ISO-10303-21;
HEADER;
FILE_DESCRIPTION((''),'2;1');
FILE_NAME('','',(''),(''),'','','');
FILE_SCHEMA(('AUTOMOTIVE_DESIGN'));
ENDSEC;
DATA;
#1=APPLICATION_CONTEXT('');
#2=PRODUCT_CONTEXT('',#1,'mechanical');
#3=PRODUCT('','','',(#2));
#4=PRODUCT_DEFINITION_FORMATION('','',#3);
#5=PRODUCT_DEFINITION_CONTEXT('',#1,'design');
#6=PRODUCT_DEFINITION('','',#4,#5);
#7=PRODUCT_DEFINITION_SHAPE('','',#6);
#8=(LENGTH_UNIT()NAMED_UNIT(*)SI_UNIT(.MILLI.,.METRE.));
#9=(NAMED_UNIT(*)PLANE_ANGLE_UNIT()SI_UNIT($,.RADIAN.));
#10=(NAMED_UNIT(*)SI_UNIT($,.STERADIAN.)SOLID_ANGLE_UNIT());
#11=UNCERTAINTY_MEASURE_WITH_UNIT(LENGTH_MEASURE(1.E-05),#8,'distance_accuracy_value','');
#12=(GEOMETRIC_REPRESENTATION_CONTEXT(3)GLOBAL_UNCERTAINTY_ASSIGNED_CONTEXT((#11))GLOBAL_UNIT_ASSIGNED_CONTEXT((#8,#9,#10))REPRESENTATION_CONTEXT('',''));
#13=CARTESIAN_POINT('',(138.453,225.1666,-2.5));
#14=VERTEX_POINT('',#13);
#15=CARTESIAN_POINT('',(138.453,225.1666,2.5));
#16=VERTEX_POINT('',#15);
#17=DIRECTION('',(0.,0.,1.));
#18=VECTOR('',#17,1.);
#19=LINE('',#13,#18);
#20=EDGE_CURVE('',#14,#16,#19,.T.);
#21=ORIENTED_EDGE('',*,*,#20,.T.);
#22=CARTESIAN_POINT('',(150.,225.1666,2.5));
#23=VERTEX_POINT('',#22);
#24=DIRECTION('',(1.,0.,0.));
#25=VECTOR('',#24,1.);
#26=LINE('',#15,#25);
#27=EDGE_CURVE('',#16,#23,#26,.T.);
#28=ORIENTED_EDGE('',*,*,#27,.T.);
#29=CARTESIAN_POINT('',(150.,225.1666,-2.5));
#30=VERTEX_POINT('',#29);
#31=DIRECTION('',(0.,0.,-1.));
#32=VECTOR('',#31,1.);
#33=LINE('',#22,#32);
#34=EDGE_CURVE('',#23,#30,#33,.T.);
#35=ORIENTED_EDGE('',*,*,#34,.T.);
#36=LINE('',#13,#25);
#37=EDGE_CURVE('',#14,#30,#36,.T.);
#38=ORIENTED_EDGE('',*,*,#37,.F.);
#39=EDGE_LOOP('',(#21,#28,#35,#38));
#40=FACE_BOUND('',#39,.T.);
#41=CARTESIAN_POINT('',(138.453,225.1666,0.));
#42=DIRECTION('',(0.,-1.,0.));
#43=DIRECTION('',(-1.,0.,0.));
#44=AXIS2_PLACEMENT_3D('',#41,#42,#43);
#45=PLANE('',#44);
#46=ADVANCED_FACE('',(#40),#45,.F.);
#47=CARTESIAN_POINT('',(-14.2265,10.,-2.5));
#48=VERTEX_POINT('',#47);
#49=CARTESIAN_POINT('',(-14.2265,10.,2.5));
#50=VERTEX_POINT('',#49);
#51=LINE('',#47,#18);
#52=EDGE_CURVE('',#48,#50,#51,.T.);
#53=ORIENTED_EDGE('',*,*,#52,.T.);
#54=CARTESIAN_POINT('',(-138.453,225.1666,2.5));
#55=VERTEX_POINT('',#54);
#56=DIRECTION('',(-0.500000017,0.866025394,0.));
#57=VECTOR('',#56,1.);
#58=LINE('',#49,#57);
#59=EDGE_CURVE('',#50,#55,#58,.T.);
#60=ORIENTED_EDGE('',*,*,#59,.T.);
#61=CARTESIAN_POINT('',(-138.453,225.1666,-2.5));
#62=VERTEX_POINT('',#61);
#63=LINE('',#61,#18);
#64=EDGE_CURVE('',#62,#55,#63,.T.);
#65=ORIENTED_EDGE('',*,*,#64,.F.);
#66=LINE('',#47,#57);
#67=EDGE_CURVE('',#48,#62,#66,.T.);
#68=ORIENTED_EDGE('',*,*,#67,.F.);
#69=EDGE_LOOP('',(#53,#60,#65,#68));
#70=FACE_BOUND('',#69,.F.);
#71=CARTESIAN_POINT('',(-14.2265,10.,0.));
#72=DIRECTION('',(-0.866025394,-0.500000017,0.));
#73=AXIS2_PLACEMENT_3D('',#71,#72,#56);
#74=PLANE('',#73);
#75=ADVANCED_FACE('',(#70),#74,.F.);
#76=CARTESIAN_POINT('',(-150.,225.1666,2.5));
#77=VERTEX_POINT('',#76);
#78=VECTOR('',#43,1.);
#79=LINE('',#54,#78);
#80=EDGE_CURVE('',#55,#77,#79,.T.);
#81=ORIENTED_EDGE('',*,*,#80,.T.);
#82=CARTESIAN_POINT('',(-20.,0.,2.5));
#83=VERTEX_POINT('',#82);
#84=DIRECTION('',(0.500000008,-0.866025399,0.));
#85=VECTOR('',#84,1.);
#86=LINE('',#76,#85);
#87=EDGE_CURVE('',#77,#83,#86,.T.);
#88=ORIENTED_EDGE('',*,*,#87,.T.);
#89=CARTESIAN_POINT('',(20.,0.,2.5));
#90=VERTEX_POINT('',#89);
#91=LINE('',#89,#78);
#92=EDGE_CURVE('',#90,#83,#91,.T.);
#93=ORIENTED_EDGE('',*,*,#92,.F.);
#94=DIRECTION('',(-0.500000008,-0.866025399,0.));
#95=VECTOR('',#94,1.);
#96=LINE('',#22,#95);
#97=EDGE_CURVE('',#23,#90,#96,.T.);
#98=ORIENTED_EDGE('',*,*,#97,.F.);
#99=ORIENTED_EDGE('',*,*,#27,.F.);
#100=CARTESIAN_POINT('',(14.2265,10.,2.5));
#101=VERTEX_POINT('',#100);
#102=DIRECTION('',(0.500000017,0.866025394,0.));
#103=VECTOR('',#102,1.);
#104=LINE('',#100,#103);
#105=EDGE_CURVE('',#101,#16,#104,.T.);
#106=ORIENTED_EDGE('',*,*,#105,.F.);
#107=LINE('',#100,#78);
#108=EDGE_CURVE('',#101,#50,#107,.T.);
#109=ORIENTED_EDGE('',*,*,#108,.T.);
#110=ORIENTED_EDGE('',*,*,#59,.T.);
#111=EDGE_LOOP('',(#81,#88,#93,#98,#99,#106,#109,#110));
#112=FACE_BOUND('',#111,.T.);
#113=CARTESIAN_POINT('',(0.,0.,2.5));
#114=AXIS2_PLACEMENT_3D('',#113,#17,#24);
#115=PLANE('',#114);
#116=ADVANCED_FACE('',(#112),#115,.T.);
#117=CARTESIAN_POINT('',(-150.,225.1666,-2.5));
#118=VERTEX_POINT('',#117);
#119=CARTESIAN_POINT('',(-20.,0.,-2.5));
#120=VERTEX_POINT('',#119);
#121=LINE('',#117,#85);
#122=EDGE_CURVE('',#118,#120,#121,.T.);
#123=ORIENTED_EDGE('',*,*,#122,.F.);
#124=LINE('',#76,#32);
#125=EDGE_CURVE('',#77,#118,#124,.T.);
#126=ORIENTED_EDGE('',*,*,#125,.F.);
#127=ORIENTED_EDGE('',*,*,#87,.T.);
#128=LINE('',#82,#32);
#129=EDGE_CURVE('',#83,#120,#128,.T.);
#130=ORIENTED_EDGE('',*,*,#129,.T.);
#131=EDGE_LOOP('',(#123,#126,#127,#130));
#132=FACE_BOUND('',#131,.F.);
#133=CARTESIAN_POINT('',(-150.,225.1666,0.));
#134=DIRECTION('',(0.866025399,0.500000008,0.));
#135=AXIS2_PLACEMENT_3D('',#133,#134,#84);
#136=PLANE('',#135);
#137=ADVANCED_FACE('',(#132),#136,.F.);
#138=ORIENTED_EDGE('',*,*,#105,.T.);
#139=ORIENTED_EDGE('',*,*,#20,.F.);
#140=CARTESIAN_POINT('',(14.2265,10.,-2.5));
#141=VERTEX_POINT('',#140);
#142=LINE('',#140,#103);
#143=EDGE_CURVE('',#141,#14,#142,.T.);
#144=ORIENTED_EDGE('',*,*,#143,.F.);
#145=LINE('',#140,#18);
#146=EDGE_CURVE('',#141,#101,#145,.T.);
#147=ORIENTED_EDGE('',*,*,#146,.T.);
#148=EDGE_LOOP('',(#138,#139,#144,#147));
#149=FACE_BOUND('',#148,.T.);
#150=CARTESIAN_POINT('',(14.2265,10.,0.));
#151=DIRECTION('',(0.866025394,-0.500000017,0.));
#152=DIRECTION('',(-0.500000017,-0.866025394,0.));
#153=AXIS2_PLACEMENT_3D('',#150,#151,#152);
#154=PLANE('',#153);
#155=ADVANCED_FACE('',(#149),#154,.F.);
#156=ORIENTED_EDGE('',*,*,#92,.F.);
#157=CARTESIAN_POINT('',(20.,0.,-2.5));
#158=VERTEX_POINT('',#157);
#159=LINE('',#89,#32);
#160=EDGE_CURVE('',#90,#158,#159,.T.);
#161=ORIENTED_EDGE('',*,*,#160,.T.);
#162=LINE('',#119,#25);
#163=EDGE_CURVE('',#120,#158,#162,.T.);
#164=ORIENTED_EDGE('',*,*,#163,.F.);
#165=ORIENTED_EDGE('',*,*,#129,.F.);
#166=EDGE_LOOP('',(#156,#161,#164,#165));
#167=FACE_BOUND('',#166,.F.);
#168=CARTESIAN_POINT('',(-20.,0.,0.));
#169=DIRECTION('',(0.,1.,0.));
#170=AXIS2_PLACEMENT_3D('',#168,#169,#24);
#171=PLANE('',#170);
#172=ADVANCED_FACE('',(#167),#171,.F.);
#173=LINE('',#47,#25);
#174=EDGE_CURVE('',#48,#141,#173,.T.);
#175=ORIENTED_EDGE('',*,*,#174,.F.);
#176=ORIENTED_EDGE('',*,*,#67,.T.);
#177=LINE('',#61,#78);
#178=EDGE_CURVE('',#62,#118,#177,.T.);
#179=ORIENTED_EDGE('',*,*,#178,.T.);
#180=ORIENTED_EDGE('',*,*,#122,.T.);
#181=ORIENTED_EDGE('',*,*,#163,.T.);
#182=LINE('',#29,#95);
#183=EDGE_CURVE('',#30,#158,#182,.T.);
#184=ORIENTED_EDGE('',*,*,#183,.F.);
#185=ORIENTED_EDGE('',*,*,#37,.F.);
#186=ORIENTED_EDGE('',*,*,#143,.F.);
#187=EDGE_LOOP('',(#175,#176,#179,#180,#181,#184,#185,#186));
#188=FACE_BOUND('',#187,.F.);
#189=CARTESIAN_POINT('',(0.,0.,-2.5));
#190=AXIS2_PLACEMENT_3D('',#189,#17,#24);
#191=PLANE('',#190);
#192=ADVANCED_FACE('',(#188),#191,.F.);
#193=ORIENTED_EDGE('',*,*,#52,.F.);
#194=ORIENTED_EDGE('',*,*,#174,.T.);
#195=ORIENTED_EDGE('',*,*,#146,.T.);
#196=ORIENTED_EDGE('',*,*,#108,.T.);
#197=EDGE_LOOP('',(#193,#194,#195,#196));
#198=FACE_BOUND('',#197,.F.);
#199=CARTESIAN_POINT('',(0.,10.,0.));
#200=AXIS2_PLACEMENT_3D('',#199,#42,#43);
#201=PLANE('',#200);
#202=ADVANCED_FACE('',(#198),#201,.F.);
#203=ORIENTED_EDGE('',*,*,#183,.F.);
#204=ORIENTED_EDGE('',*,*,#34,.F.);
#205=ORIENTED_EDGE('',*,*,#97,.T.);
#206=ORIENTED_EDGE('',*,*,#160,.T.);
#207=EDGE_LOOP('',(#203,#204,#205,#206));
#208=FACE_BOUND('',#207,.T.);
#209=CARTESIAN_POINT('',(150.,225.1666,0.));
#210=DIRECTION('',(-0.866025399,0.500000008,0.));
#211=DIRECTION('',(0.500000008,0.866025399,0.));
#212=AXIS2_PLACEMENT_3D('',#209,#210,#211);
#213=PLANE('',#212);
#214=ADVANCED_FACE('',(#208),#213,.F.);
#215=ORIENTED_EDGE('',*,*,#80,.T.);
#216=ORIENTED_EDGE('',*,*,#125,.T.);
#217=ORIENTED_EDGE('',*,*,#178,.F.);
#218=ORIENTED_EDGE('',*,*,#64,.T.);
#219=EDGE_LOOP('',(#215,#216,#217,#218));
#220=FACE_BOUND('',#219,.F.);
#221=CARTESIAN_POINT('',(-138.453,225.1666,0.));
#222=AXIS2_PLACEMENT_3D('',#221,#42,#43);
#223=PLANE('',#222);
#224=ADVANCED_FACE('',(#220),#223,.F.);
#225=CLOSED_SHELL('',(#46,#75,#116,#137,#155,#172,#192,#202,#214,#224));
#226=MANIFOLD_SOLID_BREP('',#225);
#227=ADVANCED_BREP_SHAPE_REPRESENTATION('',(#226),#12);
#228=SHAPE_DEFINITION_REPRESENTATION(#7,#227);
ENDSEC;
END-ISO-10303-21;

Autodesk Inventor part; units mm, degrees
ref_plane "YZ Plane" through (0, 0, 0) normal (1, 0, 0) x (0, 1, 0)
ref_plane "XZ Plane" through (0, 0, 0) normal (0, 1, 0) x (-1, 0, 0)
sketch "Sketch1" plane through (0, 0, 0) normal (0, 0, 1) x (1, 0, 0)
  line L0 (0, 10) -> (-14.2265, 10)
  line L1 (-14.2265, 10) -> (-138.453, 225.1666)
  line L2 (-138.453, 225.1666) -> (-150, 225.1666)
  line L3 (-150, 225.1666) -> (-20, 0)
  line L4 (-20, 0) -> (0, 0)
  line L5 (0, 0) -> (0, 10)
  dimension "d0" = 260
  dimension "d1" = 30
  dimension "d2" = 10
  dimension "d3" = 10
  dimension "d4" = 20
extrude "Extrusion1" add sketch "Sketch1" along normal mid plane 5
mirror "Mirror1" about plane through (0, 0, 0) normal (1, 0, 0) of "Extrusion1"
ref_plane "Work Plane1" through (138.453, 225.1666, 2.5) normal (0, -1, 0) x (0, 0, -1)
sketch "Sketch2" plane through (138.453, 225.1666, 2.5) normal (0, -1, 0) x (0, 0, -1)
  line L0 (2.5, -348.453) -> (2.5, 71.547) construction
  line L1 (5, 0) -> (0, 0) construction
  line L2 (5, 11.547) -> (0, 11.547) construction
  line L3 (0, 0) -> (0, 11.547) construction
  line L4 (5, 11.547) -> (5, 0) construction
  line L5 (2.5, 11.547) -> (2.5, 0) construction
  line L6 (5, -276.906) -> (0, -276.906) construction
  line L7 (0, -276.906) -> (0, -288.453) construction
  line L8 (5, -288.453) -> (0, -288.453) construction
  line L9 (5, -288.453) -> (5, -276.906) construction
  line L10 (2.5, -276.906) -> (2.5, -288.453) construction
  line L11 (2.5, 5.7735) -> (2.5, -282.6795)
  line L12 (0, -288.453) -> (0, -158.453) construction
  point P0 (2.5, -138.453)
sketch "Sketch3" plane through (-20, 0, -2.5) normal (0, -1, 0) x (1, 0, 0)
  point P0 (20, 2.5)
  point P1 (20, 2.5)
properties part number "Braccetto"
